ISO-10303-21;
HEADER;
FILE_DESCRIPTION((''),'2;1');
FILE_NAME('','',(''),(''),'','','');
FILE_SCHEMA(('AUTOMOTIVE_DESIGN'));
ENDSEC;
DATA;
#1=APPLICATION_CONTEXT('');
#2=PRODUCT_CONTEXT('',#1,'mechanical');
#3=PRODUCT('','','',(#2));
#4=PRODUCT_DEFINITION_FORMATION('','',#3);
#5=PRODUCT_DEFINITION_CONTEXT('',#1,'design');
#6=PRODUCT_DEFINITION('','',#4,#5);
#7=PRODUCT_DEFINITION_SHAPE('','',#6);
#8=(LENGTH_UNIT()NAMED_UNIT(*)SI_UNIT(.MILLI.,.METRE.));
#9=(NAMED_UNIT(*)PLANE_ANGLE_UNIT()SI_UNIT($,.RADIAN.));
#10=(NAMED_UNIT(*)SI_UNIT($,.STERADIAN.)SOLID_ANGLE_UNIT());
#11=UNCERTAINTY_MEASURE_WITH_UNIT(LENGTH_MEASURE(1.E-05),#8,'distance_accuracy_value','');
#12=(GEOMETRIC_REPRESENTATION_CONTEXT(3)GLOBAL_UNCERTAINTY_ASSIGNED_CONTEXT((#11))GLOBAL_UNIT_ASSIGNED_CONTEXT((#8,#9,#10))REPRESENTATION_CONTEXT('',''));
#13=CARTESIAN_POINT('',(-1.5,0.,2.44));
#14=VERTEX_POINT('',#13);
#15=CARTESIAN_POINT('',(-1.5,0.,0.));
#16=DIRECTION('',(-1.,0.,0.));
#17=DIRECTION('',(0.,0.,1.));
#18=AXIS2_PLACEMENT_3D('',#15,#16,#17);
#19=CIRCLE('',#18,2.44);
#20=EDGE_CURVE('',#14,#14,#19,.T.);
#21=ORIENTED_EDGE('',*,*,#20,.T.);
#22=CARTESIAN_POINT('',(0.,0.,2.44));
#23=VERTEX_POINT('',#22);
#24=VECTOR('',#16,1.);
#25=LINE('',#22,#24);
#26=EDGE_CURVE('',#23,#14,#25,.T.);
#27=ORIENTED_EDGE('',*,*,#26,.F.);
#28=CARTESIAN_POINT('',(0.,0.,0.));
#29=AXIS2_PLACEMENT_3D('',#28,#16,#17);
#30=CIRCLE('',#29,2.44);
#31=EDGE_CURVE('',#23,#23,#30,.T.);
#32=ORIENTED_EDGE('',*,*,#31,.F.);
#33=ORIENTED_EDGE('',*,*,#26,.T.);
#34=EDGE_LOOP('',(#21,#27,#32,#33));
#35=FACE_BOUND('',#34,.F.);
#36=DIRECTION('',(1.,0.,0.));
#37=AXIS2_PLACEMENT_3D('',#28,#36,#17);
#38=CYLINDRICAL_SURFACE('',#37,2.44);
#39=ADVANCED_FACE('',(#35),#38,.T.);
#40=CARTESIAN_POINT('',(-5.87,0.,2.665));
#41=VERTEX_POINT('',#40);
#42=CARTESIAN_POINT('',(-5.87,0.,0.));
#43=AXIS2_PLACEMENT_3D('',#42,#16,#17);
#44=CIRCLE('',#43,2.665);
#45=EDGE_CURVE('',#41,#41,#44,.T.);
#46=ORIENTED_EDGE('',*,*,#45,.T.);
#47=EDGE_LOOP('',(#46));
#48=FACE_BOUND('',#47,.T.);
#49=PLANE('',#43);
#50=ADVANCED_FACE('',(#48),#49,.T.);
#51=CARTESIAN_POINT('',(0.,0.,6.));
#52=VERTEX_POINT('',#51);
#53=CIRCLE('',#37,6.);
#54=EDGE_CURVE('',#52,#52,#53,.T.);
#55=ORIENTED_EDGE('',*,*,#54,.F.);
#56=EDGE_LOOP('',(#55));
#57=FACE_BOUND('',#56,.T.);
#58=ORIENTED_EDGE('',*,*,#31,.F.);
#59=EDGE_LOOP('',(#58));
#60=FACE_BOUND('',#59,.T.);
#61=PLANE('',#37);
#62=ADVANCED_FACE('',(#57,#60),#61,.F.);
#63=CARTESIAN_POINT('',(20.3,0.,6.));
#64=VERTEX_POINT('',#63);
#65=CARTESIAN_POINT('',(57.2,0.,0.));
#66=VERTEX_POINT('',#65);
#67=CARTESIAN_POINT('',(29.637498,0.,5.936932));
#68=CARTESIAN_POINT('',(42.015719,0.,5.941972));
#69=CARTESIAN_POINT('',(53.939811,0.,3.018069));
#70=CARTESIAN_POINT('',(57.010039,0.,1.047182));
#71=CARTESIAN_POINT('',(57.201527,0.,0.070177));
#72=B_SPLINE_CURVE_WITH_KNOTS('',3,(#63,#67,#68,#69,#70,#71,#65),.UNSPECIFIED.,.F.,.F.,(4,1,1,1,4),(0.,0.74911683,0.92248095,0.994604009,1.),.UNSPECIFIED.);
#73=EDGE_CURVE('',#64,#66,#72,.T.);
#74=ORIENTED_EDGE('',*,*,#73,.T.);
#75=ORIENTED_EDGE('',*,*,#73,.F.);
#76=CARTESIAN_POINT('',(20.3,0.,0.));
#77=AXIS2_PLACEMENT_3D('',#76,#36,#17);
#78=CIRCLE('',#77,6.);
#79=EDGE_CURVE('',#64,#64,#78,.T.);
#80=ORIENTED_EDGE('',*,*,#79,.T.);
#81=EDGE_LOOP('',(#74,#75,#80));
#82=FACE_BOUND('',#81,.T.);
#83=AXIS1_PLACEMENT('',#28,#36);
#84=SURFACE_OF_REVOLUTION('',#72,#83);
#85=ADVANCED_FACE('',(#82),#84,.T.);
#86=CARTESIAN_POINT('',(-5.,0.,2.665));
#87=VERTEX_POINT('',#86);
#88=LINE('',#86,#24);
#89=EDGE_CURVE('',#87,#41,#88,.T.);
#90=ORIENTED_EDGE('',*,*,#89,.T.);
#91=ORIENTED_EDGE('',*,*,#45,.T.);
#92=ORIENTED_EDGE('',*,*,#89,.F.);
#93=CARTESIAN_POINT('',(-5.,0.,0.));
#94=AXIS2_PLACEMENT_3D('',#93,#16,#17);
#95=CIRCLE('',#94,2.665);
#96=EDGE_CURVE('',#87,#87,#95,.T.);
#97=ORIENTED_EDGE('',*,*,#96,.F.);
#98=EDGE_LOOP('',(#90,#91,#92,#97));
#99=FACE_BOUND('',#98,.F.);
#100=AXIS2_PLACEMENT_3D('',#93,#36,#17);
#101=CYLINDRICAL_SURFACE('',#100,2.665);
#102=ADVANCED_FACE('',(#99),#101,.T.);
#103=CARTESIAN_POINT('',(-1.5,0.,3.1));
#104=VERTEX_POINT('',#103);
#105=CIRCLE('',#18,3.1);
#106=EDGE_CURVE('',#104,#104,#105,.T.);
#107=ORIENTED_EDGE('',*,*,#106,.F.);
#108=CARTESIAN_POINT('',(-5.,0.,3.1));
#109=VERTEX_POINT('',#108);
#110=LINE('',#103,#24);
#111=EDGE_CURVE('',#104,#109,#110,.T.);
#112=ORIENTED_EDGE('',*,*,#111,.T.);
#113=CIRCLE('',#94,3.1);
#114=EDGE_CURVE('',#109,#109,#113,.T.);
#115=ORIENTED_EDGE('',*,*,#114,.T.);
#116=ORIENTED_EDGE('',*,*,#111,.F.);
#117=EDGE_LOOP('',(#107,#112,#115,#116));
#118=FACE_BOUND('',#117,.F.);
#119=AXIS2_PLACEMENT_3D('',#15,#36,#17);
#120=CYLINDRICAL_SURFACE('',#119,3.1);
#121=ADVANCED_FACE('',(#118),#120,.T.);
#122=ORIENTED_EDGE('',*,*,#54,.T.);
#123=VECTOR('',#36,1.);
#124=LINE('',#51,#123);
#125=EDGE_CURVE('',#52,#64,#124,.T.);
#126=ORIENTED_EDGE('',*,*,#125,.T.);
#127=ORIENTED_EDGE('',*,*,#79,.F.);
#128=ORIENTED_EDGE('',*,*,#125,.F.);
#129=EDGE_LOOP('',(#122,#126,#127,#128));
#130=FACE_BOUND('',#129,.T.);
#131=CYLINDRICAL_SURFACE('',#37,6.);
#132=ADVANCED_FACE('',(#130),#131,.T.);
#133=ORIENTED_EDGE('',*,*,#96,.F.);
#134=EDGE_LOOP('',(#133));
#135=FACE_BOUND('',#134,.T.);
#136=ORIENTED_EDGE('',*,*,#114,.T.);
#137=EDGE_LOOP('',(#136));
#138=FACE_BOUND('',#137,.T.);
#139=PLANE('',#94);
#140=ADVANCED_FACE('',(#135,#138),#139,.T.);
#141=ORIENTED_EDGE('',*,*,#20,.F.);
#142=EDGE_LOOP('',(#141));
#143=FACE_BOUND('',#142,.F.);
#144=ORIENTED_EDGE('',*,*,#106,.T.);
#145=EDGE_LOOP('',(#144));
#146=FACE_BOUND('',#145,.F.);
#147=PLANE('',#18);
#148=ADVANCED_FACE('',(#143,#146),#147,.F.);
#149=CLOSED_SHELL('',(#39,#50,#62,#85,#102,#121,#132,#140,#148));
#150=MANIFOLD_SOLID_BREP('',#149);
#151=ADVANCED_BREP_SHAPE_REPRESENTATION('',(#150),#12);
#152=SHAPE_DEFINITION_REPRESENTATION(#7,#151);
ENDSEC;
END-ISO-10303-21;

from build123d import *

# Parameters (mm, degrees)
SKETCH2_R           = 2.44
BOSS_EXTRUDE1_DEPTH = 1.5
SKETCH3_R           = 3.1
BOSS_EXTRUDE2_DEPTH = 3.5
SKETCH4_R           = 2.665
BOSS_EXTRUDE3_DEPTH = 0.87


with BuildPart() as part:
    # Sketch1 → Revolve1 (revolve)
    with BuildSketch(Plane(origin=(0, 0, 0), x_dir=(1, 0, 0), z_dir=(0, 1, 0))):
        with BuildLine():
            Line((0, 0), (0, -6))
            Line((0, -6), (20.3, -6))
            add(Edge.make_bspline(
                [(20.3, -6), (29.637498304, -5.936932341), (42.015719343, -5.941972282), (53.939810571, -3.018068917), (57.010038962, -1.04718188), (57.201526924, -0.070177055), (57.2, 0)],
                knots=[0, 0, 0, 0, 0.74911683, 0.92248095, 0.994604009, 1, 1, 1, 1], degree=3))
            Line((57.2, 0), (0, 0))
        make_face()
    revolve(axis=Axis((0, 0, 0), (1, 0, 0)))

    # Sketch2 → Boss-Extrude1 (add)
    with BuildSketch(Plane.ZY):
        Circle(SKETCH2_R)
    extrude(amount=BOSS_EXTRUDE1_DEPTH)

    # Sketch3 → Boss-Extrude2 (add)
    with BuildSketch(Plane.ZY.offset(1.5)):
        Circle(SKETCH3_R)
    extrude(amount=BOSS_EXTRUDE2_DEPTH)

    # Sketch4 → Boss-Extrude3 (add)
    with BuildSketch(Plane.ZY.offset(5)):
        Circle(SKETCH4_R)
    extrude(amount=BOSS_EXTRUDE3_DEPTH)


solid = part.part
